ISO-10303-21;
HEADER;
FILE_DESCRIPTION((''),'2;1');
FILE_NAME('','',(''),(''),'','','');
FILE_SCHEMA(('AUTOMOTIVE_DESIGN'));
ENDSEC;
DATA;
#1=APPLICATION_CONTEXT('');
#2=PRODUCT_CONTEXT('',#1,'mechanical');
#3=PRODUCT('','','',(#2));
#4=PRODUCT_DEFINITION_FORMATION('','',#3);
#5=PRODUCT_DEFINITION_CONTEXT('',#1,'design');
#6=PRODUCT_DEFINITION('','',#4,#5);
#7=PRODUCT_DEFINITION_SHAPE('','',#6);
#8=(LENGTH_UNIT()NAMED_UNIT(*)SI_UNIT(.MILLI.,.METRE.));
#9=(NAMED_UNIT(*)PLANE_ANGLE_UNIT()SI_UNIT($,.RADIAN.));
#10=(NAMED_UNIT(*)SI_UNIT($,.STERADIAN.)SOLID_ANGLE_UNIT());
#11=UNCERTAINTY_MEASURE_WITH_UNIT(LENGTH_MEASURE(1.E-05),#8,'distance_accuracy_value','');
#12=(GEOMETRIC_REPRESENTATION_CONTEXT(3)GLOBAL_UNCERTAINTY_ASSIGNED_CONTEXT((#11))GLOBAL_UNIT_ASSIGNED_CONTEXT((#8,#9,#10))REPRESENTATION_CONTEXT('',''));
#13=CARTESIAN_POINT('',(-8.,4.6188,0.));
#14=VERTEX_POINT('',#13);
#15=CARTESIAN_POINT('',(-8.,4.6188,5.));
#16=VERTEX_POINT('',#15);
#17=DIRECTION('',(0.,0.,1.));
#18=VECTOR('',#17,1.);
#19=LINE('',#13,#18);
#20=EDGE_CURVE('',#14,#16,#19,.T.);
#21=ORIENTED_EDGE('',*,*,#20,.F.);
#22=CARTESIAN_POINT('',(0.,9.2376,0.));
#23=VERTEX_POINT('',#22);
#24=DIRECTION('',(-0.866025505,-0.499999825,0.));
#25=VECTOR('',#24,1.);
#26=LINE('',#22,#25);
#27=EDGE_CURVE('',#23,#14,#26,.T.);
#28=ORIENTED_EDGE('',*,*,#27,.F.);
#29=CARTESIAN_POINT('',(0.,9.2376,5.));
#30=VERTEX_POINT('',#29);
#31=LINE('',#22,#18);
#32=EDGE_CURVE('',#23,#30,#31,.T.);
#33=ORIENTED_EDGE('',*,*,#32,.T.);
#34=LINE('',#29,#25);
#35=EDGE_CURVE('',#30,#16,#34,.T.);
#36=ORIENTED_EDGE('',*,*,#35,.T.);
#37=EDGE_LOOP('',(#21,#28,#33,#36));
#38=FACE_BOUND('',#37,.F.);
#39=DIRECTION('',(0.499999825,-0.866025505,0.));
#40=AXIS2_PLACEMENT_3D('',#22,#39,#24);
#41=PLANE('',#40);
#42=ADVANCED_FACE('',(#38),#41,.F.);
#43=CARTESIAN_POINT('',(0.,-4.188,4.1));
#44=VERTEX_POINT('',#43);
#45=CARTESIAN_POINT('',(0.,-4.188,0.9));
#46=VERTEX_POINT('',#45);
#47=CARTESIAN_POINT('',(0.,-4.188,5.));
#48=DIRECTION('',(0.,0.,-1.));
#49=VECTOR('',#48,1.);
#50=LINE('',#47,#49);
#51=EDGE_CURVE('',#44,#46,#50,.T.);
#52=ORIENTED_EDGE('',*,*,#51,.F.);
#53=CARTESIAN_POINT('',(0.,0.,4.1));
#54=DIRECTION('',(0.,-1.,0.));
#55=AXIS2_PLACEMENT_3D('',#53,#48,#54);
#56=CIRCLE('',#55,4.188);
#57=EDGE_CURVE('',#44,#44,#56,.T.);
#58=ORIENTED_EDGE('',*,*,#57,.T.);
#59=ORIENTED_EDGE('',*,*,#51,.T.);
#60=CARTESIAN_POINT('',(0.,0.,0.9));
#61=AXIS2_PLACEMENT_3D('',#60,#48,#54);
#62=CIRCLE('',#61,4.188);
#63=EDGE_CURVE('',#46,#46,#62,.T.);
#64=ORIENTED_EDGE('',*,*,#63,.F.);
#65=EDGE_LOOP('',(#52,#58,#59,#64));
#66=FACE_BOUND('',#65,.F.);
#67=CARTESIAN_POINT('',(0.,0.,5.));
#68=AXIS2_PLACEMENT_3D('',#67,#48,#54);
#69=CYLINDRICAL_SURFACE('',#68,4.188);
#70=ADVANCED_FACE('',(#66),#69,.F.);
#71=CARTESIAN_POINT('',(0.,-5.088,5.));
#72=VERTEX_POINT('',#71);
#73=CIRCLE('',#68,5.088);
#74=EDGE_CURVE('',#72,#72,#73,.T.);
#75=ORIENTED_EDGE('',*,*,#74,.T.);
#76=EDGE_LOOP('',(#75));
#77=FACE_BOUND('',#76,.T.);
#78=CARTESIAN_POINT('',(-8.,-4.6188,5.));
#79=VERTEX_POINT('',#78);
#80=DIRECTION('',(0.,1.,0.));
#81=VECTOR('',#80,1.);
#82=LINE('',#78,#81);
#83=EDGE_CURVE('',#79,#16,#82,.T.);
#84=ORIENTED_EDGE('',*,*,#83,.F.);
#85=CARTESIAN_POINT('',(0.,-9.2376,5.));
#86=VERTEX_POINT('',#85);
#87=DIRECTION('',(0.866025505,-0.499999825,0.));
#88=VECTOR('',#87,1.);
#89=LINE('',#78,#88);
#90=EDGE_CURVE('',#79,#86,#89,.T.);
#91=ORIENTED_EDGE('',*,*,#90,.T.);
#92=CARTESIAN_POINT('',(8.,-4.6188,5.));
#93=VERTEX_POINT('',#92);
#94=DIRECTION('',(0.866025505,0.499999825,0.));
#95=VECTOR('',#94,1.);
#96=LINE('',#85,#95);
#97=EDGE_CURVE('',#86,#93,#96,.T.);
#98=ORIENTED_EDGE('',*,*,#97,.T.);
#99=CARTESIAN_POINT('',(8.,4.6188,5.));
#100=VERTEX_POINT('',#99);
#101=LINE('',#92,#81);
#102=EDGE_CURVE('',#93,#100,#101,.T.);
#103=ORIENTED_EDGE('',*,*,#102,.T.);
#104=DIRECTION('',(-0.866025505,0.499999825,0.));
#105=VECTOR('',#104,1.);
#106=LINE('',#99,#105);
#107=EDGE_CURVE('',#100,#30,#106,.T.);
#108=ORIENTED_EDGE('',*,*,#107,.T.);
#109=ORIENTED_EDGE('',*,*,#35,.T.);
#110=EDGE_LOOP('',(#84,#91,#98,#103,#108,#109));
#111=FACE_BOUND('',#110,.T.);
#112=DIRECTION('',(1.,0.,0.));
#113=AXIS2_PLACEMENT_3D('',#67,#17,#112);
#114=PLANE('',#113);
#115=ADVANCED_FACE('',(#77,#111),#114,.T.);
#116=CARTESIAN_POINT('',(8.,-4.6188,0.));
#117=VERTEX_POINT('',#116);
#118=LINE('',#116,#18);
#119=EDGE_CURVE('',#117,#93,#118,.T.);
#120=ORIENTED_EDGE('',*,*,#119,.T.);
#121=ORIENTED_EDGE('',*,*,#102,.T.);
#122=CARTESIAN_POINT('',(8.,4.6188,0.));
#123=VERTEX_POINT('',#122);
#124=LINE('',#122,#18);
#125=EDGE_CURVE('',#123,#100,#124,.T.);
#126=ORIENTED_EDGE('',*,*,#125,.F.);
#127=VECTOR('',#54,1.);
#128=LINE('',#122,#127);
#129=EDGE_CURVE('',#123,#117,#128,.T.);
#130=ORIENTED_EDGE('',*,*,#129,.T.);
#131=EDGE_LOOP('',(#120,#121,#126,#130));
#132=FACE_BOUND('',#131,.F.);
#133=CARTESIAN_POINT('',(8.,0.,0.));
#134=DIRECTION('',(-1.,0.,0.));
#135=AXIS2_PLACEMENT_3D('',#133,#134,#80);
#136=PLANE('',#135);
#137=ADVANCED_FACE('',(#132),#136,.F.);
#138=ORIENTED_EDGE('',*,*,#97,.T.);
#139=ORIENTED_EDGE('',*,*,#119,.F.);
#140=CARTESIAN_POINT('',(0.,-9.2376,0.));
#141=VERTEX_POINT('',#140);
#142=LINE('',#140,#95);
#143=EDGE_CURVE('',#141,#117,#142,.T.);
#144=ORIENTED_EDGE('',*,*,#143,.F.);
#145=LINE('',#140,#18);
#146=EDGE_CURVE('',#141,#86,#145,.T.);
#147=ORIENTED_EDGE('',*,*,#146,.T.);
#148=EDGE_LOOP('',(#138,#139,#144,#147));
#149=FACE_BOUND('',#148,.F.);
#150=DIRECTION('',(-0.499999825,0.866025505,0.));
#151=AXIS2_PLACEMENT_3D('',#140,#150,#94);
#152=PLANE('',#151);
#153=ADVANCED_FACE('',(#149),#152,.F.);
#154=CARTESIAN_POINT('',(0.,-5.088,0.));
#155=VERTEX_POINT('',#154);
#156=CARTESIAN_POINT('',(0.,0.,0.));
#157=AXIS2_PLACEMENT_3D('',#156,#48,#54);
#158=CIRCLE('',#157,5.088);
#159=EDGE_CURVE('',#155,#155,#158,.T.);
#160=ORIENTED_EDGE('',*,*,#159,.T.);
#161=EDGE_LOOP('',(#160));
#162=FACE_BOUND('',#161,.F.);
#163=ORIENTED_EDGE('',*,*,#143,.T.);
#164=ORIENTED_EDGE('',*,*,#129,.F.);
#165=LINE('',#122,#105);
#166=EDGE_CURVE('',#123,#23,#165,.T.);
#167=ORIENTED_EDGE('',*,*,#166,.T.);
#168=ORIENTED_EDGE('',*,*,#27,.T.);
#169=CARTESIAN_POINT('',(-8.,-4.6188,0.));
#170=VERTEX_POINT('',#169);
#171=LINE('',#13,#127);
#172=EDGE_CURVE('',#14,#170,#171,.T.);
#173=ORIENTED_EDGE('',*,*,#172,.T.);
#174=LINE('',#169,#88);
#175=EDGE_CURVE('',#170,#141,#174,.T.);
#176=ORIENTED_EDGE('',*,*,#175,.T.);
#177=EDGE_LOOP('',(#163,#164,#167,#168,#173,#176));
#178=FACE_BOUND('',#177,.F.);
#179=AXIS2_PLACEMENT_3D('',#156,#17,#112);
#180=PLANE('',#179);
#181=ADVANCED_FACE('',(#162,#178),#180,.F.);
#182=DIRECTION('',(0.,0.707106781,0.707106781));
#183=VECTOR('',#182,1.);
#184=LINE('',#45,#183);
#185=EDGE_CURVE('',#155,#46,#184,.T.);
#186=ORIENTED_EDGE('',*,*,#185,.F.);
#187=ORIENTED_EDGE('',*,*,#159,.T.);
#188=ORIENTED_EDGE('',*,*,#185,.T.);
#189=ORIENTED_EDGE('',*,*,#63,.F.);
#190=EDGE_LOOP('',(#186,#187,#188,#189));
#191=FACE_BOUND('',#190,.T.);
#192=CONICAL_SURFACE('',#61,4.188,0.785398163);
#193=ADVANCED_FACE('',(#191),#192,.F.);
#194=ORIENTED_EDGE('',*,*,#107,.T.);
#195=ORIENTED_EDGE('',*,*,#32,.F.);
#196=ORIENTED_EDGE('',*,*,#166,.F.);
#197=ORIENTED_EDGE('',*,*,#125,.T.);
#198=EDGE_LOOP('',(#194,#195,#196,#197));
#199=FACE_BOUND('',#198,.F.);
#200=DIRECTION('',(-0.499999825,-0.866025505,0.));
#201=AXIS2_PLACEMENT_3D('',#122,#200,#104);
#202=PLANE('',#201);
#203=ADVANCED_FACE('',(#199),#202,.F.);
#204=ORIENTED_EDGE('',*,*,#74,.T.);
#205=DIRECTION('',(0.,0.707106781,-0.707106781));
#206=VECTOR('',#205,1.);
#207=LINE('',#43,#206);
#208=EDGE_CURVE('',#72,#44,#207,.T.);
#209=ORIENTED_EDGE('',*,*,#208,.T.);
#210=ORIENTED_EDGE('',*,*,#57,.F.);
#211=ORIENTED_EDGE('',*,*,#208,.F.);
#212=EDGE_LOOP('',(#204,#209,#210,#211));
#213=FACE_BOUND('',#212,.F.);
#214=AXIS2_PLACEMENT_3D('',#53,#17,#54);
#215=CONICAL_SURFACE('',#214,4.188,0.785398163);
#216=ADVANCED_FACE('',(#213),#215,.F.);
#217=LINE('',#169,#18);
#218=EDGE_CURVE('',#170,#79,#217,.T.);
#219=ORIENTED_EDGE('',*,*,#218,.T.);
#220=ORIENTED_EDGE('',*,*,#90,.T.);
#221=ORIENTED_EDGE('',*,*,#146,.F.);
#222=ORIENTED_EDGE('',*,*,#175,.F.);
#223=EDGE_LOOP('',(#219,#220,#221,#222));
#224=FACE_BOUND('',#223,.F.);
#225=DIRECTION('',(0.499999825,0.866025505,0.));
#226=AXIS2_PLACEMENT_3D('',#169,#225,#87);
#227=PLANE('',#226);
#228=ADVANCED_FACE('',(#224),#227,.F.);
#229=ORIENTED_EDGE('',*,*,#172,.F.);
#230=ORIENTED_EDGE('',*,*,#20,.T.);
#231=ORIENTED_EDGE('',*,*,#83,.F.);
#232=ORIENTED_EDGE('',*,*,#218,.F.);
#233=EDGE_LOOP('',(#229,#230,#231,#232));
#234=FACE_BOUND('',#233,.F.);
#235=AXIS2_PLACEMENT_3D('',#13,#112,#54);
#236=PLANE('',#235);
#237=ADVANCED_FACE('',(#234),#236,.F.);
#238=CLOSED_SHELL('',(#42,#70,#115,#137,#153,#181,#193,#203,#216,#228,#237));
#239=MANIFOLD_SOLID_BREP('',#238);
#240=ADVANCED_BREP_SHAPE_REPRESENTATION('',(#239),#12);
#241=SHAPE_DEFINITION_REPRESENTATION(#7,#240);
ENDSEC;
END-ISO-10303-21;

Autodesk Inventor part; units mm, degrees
sketch "Sketch1" plane through (0, 0, 0) normal (0, 0, 1) x (1, 0, 0)
  circle A0 centre (0, 0) radius 8 construction
  line L0 (-8, 4.6188) -> (-8, -4.6188)
  line L1 (-8, -4.6188) -> (0, -9.2376)
  line L2 (0, -9.2376) -> (8, -4.6188)
  line L3 (8, -4.6188) -> (8, 4.6188)
  line L4 (8, 4.6188) -> (0, 9.2376)
  line L5 (0, 9.2376) -> (-8, 4.6188)
  line L6 (0, 12.9326) -> (0, -12.9326) projected
  line L7 (-11.2, 0) -> (11.2, 0) projected
  point P0 (0, 0)
  dimension "ParS" = 16
extrude "Extrusion1" add sketch "Sketch1" along normal blind 5
sketch "Sketch2" plane through (0, 0, 5) normal (0, 0, 1) x (1, 0, 0)
  point P0 (0, 0)
  point P1 (0, 0)
hole "Hole1" at (0, 0, 5) direction (0, 0, -1) diameter 8.376 end through all thread size "M10x1.5" class "6H" standard "ISO Metric profile"
ref_plane "MSC_PT1" through (0, 0, 5) normal (0, 0, 1) x (1, 0, 0)
ref_plane "MSC_PT2" through (0, 0, 0) normal (0, 0, -1) x (-1, 0, 0)
ref_plane "MSC_PF1" through (0, 0, 0) normal (1, 0, 0) x (0, 1, 0)
chamfer "Chamfer1" distance 0.9 angle 45 2 edges at (0, 4.188, 5) (0, 4.188, 0)
equation "\"d17\" = 0.6 * PTC"
equation "\"d18\" = 0.6 * PTC"
equation "\"d4\" = M"
equation "\"PTC\" = 1.5"
properties part number "ISO 4036 - M10" material "Steel"
